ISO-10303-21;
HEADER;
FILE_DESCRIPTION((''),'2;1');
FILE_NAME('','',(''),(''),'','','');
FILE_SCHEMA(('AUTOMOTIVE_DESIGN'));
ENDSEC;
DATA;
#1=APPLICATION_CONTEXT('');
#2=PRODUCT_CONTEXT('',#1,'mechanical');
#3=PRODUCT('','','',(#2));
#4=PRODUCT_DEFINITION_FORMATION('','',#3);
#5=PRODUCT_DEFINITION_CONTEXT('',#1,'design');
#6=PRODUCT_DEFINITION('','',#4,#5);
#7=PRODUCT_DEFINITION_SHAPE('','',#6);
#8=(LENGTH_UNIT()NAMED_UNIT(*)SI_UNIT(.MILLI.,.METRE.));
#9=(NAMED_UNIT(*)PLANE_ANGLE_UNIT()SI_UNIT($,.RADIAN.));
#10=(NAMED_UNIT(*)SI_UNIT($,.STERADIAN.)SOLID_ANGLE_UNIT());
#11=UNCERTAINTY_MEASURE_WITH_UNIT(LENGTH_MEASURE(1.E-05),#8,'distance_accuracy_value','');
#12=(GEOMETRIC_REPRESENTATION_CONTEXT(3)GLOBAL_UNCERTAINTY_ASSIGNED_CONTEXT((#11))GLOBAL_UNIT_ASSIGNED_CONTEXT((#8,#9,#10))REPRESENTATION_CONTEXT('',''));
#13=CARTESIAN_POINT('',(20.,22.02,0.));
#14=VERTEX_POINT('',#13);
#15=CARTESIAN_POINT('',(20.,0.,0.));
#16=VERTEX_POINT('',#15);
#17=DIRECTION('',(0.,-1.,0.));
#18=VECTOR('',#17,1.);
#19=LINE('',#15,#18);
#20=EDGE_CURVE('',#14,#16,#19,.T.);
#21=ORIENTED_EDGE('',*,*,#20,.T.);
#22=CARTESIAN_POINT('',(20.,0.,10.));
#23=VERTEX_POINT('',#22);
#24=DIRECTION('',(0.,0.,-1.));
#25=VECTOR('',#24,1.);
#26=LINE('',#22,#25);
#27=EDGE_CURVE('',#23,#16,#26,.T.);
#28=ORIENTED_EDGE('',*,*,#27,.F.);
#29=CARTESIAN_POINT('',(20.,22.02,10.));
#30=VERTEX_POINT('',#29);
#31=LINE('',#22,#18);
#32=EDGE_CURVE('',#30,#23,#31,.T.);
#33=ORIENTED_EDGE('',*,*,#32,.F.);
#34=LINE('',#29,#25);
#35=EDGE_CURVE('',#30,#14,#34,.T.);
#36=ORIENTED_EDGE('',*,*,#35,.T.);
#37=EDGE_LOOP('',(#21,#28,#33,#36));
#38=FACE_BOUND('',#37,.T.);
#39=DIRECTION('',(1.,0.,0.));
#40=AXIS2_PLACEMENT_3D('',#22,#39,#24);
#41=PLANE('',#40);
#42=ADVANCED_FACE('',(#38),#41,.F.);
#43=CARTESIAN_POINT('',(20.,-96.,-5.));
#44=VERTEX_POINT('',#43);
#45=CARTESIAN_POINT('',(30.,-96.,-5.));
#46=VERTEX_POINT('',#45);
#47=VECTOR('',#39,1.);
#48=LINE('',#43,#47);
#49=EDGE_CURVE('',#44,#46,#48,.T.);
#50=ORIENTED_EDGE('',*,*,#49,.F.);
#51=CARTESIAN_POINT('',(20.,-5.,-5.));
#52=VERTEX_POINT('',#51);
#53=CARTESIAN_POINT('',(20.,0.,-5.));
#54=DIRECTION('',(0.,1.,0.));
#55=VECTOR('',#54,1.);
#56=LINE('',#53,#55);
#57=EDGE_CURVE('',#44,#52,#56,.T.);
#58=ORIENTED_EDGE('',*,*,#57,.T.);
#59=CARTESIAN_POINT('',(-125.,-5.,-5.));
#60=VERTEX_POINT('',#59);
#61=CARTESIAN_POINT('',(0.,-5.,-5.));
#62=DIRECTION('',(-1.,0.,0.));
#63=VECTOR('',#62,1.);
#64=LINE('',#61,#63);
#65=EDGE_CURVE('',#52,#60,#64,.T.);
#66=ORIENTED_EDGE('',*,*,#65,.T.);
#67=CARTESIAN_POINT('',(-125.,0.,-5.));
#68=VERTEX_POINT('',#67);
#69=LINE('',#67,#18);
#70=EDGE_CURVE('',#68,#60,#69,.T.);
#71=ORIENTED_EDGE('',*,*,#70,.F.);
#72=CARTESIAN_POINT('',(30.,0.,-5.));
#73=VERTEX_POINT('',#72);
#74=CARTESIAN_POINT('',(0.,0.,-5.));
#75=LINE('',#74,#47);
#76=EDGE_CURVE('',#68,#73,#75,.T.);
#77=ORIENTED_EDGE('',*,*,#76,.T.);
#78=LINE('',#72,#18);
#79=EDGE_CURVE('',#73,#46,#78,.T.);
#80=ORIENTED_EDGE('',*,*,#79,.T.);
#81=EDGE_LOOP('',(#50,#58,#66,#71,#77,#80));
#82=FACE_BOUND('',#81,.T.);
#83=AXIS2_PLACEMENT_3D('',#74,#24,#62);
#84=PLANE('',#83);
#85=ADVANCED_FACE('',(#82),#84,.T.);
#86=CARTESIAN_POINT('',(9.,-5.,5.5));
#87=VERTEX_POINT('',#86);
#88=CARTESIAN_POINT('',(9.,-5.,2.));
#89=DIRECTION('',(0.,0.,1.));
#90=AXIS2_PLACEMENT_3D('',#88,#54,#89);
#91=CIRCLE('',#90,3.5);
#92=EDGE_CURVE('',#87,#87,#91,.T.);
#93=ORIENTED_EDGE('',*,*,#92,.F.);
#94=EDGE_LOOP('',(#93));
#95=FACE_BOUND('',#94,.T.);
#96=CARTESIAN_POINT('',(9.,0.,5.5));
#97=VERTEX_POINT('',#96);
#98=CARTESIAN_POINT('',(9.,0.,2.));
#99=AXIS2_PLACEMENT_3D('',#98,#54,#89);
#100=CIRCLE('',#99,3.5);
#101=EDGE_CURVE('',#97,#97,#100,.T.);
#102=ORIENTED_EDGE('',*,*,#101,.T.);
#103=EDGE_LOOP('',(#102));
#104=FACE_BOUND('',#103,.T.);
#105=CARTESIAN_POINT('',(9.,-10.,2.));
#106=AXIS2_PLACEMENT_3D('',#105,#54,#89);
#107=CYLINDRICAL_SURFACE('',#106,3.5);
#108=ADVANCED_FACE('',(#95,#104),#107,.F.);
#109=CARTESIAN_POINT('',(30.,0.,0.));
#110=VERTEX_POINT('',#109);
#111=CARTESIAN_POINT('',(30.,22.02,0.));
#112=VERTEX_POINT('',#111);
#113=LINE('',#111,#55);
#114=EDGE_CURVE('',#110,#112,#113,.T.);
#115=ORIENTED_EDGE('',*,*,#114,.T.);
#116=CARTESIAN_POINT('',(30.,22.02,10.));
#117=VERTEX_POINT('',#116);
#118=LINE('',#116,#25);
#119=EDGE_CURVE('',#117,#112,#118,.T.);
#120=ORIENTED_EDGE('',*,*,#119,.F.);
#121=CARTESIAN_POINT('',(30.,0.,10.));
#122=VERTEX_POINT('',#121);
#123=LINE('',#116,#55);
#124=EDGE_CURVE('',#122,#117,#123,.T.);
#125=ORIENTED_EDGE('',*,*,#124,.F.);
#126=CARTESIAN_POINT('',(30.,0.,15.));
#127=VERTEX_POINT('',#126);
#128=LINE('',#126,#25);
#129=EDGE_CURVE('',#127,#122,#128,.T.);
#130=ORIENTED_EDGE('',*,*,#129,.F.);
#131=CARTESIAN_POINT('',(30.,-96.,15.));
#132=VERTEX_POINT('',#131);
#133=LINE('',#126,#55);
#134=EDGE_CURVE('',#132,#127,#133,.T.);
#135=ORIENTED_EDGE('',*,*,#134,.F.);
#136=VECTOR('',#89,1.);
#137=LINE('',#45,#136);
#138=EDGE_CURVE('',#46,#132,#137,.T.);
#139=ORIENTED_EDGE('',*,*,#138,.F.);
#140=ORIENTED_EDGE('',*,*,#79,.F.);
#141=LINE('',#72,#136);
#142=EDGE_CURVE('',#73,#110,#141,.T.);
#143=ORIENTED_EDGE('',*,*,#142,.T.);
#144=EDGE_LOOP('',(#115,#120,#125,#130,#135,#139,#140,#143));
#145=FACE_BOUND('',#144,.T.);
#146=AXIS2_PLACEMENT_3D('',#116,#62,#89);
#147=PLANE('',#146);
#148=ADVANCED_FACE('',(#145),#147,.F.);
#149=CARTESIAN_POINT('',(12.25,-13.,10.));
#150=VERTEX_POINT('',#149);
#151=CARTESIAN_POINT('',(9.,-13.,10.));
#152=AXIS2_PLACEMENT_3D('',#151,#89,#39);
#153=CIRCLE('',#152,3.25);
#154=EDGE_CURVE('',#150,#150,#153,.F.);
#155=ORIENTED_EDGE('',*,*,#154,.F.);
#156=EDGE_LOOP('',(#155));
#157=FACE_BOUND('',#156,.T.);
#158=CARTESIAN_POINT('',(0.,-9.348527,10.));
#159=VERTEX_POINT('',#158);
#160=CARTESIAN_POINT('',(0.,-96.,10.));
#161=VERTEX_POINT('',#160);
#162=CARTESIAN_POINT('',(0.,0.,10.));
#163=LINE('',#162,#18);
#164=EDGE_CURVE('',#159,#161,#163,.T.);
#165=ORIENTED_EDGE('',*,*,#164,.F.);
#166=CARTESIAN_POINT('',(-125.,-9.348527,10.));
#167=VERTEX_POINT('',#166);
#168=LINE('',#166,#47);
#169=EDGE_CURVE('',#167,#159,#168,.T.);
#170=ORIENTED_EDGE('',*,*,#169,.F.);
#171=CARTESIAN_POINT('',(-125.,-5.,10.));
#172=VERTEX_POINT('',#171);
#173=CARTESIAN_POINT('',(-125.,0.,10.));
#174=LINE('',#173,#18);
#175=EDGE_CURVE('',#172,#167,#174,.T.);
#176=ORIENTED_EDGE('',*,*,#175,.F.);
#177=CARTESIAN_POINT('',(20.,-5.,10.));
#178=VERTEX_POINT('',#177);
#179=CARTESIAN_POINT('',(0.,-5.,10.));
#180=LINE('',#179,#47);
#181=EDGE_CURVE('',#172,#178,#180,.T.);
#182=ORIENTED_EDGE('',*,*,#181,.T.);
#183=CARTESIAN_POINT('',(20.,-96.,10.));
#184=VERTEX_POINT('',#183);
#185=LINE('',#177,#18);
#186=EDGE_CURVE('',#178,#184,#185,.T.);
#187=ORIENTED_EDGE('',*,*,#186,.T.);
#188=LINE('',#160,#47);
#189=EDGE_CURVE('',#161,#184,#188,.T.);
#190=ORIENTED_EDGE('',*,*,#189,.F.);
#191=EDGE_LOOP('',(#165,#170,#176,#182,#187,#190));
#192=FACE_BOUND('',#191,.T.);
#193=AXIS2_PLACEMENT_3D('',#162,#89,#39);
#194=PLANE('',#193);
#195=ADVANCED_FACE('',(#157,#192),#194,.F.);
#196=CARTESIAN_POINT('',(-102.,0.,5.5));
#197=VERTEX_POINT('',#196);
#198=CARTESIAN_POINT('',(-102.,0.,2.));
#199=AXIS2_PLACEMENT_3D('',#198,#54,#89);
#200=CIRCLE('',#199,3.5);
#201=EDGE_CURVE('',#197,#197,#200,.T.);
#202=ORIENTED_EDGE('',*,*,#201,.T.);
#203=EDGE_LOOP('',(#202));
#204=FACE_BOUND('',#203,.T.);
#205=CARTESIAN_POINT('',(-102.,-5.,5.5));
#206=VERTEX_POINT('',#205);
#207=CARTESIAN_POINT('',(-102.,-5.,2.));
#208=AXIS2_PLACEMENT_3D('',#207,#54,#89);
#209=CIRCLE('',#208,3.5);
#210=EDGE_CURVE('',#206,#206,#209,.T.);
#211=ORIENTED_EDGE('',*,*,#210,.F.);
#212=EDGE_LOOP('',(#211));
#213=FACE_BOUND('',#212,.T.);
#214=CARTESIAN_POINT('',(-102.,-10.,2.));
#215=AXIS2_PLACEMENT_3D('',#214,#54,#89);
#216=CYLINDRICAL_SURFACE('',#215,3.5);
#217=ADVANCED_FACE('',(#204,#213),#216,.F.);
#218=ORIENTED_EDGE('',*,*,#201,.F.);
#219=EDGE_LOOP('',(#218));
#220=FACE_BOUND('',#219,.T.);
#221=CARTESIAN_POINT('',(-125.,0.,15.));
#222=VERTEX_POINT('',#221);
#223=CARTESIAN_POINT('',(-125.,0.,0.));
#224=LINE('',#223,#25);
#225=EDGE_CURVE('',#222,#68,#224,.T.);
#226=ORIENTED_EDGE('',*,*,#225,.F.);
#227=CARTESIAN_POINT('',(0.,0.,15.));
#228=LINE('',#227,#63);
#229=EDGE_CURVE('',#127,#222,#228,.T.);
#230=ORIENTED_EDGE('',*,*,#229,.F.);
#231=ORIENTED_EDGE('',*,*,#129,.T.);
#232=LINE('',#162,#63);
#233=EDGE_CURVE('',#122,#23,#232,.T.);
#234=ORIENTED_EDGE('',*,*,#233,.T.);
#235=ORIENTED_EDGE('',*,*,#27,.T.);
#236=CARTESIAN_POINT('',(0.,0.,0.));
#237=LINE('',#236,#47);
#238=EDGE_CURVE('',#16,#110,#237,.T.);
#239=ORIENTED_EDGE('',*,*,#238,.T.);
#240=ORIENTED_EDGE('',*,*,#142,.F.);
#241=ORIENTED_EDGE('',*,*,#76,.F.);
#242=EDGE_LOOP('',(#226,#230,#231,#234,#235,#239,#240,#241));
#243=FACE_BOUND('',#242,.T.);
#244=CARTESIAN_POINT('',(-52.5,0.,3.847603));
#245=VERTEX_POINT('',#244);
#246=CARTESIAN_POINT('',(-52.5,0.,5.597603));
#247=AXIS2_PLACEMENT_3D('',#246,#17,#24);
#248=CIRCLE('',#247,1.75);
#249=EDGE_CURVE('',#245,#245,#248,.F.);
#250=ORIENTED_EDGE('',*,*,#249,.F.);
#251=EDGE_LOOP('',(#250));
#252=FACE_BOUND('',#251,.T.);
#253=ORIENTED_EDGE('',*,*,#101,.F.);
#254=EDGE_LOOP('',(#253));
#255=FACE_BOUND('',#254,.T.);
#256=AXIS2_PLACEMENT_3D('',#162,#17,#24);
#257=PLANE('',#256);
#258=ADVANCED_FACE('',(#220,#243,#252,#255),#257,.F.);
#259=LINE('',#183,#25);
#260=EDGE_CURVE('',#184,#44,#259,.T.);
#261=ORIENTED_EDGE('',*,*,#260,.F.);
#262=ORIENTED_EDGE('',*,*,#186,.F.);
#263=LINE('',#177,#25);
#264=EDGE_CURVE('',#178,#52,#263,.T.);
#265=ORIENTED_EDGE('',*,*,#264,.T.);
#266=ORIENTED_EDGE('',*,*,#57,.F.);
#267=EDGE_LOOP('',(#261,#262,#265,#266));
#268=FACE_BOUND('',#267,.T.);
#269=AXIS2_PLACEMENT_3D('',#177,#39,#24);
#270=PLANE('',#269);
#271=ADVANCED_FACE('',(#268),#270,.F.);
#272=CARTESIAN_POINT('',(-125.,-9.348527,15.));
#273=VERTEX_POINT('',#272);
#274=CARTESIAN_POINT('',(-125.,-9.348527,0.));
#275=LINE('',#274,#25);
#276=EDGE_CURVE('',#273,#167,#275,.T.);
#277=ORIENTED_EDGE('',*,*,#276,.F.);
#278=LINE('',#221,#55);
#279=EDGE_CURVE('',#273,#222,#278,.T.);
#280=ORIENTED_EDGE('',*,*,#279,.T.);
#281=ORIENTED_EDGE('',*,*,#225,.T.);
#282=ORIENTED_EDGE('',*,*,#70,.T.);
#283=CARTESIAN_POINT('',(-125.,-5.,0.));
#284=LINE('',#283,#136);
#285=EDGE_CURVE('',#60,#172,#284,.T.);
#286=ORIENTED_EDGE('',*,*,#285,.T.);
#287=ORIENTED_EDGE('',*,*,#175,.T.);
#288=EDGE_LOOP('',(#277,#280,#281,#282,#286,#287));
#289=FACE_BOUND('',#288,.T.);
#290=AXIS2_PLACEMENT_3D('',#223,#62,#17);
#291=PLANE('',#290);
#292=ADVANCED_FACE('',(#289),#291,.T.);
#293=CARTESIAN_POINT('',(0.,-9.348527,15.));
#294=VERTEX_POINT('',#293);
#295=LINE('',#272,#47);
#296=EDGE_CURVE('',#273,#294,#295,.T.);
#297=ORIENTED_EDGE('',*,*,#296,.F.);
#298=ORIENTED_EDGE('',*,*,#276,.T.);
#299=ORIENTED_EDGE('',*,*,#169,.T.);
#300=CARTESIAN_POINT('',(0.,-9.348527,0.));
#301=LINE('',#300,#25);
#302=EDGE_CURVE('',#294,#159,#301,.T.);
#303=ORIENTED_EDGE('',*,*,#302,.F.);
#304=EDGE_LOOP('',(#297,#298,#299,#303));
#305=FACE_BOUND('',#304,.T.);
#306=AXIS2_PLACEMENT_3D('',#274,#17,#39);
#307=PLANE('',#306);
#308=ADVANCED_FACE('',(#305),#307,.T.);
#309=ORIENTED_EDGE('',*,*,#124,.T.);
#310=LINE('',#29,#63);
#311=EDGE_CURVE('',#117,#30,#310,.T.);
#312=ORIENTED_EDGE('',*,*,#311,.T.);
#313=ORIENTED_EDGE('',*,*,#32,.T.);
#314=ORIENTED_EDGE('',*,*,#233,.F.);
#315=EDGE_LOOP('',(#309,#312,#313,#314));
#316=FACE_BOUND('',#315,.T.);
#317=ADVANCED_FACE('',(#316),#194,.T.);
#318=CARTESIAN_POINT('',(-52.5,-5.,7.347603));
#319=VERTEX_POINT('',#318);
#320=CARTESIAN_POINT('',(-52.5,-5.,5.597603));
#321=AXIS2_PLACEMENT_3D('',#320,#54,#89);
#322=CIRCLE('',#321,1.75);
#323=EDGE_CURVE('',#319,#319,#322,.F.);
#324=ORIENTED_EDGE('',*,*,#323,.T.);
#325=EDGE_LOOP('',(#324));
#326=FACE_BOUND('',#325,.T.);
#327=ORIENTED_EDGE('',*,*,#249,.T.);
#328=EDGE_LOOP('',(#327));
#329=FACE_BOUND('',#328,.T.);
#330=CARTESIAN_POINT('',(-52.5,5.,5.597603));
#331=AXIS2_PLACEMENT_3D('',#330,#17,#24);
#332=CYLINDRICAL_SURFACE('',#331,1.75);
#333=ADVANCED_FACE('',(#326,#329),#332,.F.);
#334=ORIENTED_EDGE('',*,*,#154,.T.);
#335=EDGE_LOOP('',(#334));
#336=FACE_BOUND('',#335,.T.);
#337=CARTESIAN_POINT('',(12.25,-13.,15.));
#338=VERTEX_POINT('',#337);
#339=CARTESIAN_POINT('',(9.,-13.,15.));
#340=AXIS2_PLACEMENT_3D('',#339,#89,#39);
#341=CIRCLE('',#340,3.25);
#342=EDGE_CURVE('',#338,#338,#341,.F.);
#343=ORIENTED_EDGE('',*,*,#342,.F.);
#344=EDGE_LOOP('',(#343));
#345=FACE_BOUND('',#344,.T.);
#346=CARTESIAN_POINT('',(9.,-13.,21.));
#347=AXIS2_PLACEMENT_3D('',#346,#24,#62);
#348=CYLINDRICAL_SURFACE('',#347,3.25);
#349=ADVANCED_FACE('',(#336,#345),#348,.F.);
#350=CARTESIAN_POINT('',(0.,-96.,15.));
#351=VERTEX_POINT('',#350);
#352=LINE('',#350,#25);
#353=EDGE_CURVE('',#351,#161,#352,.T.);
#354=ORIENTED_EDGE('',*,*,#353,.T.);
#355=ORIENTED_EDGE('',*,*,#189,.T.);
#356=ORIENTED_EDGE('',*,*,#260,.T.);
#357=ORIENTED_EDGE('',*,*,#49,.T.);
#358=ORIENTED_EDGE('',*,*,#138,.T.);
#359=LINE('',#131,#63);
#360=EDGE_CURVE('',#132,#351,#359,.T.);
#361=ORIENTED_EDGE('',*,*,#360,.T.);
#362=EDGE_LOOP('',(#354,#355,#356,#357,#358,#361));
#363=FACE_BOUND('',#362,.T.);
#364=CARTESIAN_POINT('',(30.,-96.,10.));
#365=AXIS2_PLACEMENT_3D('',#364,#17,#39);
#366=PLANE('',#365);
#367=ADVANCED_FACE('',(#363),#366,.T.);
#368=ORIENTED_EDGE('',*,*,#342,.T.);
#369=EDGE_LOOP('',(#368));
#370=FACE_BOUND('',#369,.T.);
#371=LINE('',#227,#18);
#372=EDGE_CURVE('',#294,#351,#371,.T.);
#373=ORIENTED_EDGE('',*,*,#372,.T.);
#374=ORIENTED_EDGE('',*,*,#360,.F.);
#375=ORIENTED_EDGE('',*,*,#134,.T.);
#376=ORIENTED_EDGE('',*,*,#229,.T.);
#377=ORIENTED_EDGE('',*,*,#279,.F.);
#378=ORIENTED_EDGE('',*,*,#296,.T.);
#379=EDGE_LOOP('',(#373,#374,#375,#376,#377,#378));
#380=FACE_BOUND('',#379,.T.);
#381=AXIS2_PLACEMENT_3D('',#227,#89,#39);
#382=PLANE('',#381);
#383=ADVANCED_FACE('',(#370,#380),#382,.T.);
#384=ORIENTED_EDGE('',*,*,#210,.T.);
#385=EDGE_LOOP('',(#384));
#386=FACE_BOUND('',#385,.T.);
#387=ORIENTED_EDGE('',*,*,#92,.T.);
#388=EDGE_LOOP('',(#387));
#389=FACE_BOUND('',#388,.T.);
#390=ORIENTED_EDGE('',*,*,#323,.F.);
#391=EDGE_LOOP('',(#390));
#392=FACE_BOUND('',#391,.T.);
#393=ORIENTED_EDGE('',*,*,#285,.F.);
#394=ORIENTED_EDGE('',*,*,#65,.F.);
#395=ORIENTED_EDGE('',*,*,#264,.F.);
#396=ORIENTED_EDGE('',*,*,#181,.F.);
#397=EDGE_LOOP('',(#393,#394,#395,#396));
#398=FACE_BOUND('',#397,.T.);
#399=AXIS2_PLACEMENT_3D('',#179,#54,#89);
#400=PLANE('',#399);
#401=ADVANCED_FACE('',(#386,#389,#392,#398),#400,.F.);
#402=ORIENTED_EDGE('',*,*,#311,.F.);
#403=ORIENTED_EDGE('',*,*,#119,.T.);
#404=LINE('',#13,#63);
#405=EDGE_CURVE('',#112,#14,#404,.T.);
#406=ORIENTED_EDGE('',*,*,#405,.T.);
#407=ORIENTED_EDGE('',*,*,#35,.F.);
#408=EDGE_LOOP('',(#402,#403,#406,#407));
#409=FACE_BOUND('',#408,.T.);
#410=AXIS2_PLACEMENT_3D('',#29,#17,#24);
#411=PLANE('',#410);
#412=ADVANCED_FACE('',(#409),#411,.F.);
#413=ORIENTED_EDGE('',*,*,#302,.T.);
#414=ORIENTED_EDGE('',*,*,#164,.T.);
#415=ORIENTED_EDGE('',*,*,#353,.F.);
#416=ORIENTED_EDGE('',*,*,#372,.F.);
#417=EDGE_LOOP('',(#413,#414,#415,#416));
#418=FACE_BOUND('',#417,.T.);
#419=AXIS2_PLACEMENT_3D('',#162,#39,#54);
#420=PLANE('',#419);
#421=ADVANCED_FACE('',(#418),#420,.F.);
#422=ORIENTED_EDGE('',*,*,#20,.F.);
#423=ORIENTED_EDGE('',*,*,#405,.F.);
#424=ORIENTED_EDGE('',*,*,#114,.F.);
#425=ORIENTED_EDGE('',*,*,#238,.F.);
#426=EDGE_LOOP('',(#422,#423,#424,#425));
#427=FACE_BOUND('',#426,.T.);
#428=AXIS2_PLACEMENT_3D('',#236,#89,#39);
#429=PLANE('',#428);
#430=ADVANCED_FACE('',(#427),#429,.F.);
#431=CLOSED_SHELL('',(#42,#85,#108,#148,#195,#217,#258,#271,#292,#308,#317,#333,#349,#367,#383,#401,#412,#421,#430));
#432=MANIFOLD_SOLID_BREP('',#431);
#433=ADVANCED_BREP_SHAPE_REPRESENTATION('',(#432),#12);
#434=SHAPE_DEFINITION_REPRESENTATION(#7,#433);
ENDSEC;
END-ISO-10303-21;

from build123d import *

# Parameters (mm, degrees)
BOSS_EXTRUDE3_DEPTH     = 10
SKETCH5_W               = 30
SKETCH5_H               = 25
BOSS_EXTRUDE5_DEPTH     = 5
BOSS_EXTRUDE7_DEPTH     = 5
BOSS_EXTRUDE8_DEPTH     = 71
BOSS_EXTRUDE9_DEPTH     = 125
SKETCH12_R              = 3.25
CUT_EXTRUDE1_DEPTH      = 6
CUT_EXTRUDE1_DEPTH_BACK = 15
SKETCH13_R              = 1.75
CUT_EXTRUDE2_DEPTH      = 5
CUT_EXTRUDE2_DEPTH_BACK = 15
SKETCH14_R              = 3.5
CUT_EXTRUDE3_DEPTH      = 10
SKETCH15_R              = 3.5
CUT_EXTRUDE4_DEPTH      = 10


with BuildPart() as part:
    # Sketch3 → Boss-Extrude3 (new body)
    with BuildSketch(Plane.XY):
        Polygon((0, 0), (0, -5), (20, -5), (20, -25), (30, -25), (30, 22.02), (20, 22.02), (20, 0), align=None)
    extrude(amount=BOSS_EXTRUDE3_DEPTH)

    # Sketch5 → Boss-Extrude5 (add)
    with BuildSketch(Plane.XY.offset(10)):
        with Locations((15, -12.5)):
            Rectangle(SKETCH5_W, SKETCH5_H)
    extrude(amount=BOSS_EXTRUDE5_DEPTH)

    # Sketch7 → Boss-Extrude7 (add)
    with BuildSketch(Plane(origin=(0, 0, 0), x_dir=(-1, 0, 0), z_dir=(0, 0, -1))):
        Polygon((0, 0), (-20, 0), (-20.758888401, 0), (-30, 0), (-30, -25), (-20, -25), (-20, -5), (0, -5), align=None)
    extrude(amount=BOSS_EXTRUDE7_DEPTH)

    # Sketch10 → Boss-Extrude8 (add)
    with BuildSketch(Plane.XZ.offset(25)):
        Polygon((0, 10), (20, 10), (20, -5), (30, -5), (30, 15), (0, 15), align=None)
    extrude(amount=BOSS_EXTRUDE8_DEPTH)

    # Sketch11 → Boss-Extrude9 (add)
    with BuildSketch(Plane.ZY):
        Polygon((10, 0), (-5, 0), (-5, -5), (10, -5), (10, -9.348527433), (15, -9.348527433), (15, -5), (15, 0), align=None)
    extrude(amount=BOSS_EXTRUDE9_DEPTH)

    # Sketch12 → Cut-Extrude1 (cut, two sides)
    with BuildSketch(Plane.XY.offset(15)) as cut_extrude1_sk:
        with Locations((9, -13)):
            Circle(SKETCH12_R)
    extrude(amount=CUT_EXTRUDE1_DEPTH, mode=Mode.SUBTRACT)
    extrude(cut_extrude1_sk.sketch, amount=-CUT_EXTRUDE1_DEPTH_BACK, mode=Mode.SUBTRACT)

    # Sketch13 → Cut-Extrude2 (cut, two sides)
    with BuildSketch(Plane(origin=(0, 0, 0), x_dir=(1, 0, 0), z_dir=(0, 1, 0))) as cut_extrude2_sk:
        with Locations((-52.5, -5.597603222)):
            Circle(SKETCH13_R)
    extrude(amount=CUT_EXTRUDE2_DEPTH, mode=Mode.SUBTRACT)
    extrude(cut_extrude2_sk.sketch, amount=-CUT_EXTRUDE2_DEPTH_BACK, mode=Mode.SUBTRACT)

    # Sketch14 → Cut-Extrude3 (cut)
    with BuildSketch(Plane(origin=(0, 0, 0), x_dir=(1, 0, 0), z_dir=(0, 1, 0))):
        with Locations((-102, -2)):
            Circle(SKETCH14_R)
    extrude(amount=-CUT_EXTRUDE3_DEPTH, mode=Mode.SUBTRACT)

    # Sketch15 → Cut-Extrude4 (cut)
    with BuildSketch(Plane(origin=(0, 0, 0), x_dir=(1, 0, 0), z_dir=(0, 1, 0))):
        with Locations((9, -2)):
            Circle(SKETCH15_R)
    extrude(amount=-CUT_EXTRUDE4_DEPTH, mode=Mode.SUBTRACT)


solid = part.part
